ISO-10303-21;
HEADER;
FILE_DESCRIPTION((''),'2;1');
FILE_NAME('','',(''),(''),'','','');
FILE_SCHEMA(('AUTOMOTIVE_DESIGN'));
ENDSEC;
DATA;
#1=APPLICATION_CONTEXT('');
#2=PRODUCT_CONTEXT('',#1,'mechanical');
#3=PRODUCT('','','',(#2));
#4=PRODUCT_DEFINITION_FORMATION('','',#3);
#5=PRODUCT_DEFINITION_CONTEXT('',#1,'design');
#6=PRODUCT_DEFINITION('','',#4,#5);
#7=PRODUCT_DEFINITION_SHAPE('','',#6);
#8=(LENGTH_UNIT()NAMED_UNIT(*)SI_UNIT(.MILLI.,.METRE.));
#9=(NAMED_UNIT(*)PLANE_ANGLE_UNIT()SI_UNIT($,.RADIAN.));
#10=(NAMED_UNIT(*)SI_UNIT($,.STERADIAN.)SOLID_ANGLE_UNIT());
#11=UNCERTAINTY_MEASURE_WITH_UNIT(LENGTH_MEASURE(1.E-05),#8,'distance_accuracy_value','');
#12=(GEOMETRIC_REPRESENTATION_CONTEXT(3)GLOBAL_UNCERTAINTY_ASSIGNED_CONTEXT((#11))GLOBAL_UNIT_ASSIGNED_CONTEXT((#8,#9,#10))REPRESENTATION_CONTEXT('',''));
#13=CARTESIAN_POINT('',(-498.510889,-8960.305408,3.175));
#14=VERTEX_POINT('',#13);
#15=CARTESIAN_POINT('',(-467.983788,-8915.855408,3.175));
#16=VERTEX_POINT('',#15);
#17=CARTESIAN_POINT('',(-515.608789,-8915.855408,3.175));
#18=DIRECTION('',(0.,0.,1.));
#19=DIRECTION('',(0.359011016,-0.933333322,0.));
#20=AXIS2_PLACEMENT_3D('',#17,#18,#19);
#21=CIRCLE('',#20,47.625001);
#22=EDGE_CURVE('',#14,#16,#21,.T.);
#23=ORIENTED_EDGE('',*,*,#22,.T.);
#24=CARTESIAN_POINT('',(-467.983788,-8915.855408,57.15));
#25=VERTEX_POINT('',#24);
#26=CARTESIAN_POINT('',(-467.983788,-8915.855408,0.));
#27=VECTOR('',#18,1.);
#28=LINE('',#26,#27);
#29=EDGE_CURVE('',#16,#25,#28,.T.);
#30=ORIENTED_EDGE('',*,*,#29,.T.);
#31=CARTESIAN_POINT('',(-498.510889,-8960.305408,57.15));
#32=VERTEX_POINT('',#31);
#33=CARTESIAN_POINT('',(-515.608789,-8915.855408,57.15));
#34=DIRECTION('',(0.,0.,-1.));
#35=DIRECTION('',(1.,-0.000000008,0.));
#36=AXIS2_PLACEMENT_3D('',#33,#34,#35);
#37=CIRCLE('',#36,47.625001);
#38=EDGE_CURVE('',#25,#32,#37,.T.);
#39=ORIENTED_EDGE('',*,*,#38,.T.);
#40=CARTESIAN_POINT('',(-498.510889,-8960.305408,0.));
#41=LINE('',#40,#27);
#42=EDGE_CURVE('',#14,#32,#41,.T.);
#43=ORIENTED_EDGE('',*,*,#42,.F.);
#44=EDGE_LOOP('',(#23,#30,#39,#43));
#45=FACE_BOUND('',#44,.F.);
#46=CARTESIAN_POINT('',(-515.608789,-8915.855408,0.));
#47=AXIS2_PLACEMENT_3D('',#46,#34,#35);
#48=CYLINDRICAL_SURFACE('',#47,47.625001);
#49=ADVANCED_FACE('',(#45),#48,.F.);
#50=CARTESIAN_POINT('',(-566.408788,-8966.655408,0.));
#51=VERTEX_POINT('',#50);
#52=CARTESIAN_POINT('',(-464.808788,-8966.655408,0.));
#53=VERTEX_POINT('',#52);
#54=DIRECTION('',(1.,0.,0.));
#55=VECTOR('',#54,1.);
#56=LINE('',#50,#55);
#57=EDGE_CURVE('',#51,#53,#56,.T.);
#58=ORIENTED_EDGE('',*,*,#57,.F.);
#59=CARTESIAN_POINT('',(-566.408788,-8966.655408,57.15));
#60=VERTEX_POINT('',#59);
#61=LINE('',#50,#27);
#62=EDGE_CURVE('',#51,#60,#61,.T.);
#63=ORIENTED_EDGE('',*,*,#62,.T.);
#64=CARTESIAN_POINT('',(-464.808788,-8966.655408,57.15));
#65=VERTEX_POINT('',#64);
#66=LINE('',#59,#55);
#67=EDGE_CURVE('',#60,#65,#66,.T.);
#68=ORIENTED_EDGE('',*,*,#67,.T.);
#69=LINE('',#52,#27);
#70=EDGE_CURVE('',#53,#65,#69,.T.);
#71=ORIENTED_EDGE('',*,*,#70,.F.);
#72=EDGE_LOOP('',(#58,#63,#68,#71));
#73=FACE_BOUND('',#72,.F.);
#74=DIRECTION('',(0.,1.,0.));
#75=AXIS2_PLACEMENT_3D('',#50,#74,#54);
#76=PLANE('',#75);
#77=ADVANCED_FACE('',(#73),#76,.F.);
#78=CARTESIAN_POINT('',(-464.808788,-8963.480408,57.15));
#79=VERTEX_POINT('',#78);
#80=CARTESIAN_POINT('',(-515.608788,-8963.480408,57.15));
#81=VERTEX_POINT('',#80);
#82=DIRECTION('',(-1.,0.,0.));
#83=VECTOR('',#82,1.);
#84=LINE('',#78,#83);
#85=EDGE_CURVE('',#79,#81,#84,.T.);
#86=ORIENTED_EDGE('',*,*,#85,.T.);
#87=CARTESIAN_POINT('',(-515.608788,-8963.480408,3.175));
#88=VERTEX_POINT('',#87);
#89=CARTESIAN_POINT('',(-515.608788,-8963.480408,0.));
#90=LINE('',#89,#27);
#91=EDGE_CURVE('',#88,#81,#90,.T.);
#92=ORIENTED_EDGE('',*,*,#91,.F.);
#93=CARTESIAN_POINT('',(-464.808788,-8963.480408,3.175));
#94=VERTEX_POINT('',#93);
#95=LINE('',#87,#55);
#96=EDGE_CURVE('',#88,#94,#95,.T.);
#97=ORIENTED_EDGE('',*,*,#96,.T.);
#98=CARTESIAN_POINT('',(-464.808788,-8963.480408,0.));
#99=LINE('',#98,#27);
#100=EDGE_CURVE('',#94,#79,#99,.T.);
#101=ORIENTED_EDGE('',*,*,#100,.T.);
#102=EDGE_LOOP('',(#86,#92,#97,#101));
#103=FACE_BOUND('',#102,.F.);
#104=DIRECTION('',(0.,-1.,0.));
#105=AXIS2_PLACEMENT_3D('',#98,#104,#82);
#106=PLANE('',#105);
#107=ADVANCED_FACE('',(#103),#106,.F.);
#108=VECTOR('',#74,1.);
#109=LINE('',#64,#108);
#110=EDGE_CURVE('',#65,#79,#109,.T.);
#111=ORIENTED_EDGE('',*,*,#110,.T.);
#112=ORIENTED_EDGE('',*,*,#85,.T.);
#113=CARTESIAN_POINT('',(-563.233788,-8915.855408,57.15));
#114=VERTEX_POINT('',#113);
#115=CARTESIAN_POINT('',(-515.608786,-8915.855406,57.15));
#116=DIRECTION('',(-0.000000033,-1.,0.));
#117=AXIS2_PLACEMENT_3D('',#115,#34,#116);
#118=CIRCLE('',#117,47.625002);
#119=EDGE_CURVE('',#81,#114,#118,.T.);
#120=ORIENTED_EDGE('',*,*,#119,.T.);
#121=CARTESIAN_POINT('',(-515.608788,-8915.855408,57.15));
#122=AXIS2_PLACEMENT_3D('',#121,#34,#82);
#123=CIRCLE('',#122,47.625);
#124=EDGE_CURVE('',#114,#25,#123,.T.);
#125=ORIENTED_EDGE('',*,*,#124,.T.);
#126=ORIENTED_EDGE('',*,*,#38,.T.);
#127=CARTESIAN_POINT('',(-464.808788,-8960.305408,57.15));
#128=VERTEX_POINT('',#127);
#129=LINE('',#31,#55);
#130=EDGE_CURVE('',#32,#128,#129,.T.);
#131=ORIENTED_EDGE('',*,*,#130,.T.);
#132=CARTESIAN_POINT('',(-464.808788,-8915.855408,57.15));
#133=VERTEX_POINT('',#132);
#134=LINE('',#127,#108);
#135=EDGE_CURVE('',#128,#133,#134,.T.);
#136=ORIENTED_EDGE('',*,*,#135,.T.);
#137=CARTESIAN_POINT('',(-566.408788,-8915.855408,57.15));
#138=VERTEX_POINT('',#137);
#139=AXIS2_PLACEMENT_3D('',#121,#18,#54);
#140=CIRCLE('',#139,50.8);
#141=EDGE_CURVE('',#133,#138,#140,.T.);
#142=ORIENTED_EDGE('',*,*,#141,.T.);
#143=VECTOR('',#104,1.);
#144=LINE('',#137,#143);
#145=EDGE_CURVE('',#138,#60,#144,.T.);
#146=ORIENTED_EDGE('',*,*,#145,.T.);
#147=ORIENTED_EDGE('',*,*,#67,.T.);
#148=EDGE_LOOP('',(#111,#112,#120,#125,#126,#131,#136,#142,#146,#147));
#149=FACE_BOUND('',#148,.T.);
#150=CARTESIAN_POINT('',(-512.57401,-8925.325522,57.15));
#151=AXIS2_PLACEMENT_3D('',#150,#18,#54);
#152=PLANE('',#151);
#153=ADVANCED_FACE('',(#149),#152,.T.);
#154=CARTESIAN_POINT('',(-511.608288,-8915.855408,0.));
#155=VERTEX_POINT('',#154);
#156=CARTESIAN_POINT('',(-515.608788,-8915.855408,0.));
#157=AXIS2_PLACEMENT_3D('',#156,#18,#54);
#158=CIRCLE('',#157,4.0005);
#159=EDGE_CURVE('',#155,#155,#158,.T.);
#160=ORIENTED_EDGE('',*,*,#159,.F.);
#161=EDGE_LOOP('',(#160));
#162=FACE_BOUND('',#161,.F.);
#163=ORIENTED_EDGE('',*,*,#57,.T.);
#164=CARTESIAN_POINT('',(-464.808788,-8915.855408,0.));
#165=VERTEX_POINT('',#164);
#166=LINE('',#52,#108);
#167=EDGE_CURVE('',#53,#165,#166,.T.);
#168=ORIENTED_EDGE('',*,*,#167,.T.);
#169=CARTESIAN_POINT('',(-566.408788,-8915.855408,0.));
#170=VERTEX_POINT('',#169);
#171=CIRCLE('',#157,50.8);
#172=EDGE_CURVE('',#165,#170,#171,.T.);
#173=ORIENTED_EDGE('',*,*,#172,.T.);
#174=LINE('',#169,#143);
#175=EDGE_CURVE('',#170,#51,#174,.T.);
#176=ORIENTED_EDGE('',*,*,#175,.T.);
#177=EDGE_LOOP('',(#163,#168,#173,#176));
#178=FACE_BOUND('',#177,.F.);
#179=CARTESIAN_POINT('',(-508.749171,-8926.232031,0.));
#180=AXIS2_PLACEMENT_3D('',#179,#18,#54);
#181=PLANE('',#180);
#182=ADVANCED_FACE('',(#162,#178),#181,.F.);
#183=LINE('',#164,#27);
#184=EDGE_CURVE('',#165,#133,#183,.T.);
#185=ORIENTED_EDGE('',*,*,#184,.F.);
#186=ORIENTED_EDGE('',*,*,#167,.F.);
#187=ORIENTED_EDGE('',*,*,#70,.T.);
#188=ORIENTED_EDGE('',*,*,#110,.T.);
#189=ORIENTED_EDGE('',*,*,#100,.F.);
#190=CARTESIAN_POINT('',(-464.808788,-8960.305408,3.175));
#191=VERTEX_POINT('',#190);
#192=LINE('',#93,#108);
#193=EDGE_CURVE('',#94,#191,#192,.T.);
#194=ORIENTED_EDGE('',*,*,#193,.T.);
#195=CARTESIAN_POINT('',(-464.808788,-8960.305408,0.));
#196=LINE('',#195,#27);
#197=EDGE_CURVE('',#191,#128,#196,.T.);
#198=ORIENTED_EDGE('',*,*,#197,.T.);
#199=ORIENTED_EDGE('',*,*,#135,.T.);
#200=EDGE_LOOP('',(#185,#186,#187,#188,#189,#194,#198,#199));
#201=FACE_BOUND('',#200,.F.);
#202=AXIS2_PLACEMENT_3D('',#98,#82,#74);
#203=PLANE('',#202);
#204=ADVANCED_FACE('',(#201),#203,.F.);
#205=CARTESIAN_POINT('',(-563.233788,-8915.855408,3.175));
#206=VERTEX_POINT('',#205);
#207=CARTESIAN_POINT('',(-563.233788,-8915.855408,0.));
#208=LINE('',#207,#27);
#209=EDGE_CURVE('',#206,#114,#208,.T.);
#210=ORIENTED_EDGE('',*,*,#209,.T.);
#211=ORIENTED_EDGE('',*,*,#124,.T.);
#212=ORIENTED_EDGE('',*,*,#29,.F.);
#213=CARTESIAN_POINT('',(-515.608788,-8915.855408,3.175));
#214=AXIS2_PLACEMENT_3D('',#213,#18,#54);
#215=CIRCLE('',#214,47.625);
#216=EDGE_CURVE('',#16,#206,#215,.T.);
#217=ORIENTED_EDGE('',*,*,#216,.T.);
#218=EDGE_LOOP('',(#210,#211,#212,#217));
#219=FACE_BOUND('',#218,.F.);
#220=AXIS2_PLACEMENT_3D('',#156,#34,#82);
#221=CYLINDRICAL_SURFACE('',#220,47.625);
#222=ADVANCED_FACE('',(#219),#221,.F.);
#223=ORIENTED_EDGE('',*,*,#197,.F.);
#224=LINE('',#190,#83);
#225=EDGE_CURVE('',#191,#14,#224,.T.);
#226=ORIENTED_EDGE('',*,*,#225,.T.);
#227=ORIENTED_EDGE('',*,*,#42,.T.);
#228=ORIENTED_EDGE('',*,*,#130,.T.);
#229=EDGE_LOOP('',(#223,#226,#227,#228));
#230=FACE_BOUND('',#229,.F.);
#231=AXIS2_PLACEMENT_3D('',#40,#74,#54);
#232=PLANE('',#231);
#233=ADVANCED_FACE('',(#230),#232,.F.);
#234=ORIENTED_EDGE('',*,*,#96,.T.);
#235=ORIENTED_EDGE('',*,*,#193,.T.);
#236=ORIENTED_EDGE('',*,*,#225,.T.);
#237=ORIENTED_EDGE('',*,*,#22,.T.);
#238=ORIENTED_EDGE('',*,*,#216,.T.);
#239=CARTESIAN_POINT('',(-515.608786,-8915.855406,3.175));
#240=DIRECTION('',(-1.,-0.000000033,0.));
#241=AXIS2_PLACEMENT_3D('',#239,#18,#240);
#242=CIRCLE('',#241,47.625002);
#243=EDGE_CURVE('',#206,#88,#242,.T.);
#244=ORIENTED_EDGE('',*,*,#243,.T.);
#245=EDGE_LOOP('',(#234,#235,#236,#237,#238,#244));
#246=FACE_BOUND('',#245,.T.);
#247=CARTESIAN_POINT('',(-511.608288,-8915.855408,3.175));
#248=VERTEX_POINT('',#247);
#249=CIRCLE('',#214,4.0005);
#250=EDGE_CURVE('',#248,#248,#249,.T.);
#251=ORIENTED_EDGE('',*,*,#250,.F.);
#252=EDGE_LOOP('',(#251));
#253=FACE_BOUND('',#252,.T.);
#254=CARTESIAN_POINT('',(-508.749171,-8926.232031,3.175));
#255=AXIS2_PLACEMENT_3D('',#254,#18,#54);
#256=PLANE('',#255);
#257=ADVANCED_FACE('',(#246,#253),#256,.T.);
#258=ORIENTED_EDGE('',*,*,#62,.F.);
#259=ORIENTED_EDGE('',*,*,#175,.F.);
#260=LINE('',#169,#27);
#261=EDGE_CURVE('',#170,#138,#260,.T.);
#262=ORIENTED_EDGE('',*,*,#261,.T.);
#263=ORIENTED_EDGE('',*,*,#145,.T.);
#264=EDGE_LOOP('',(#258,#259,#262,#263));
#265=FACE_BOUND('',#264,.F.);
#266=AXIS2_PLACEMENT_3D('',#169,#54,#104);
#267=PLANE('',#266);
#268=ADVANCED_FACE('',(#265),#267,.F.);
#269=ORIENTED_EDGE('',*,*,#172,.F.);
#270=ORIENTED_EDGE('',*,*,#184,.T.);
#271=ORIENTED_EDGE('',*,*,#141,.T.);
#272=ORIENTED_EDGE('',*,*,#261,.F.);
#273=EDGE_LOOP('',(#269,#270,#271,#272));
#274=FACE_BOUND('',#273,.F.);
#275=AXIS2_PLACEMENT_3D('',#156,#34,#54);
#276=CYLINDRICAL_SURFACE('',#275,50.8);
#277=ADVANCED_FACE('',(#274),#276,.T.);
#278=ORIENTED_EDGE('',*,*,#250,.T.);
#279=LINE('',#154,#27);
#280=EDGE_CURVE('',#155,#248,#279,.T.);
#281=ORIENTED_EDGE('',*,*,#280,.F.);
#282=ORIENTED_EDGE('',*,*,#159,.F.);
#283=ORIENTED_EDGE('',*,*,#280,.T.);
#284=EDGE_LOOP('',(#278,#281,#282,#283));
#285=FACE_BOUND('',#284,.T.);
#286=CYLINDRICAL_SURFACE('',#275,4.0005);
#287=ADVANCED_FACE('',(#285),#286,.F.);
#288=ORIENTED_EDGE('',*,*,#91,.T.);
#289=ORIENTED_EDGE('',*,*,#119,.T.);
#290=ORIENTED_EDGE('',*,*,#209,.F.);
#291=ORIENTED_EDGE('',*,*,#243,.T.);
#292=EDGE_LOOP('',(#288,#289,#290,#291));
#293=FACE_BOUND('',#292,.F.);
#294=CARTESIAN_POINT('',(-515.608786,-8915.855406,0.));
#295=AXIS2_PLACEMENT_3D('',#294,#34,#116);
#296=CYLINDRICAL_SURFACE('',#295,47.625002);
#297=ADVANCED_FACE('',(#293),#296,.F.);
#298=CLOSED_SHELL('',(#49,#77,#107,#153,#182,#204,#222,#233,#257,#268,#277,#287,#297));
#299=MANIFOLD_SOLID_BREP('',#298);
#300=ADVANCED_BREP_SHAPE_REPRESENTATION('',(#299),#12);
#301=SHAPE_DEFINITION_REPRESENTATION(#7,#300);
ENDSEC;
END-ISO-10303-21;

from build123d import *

# Parameters (mm, degrees)
F1_DEPTH = 57.15
F0_R     = 4.0005
F2_DEPTH = 3.175


with BuildPart() as f1:
    # F0 (on Top) → F1 (new body)
    with BuildSketch(Plane.XY):
        with BuildLine():
            Line((-464.808788, -8960.305408), (-464.808788, -8915.855408))
            ThreePointArc((-464.808788, -8915.855408), (-515.608788, -8865.055408), (-566.408788, -8915.855408))
            Line((-566.408788, -8915.855408), (-566.408788, -8966.655408))
            Line((-566.408788, -8966.655408), (-464.808788, -8966.655408))
            Line((-464.808788, -8966.655408), (-464.808788, -8963.480408))
            Line((-464.808788, -8963.480408), (-515.608788, -8963.480408))
            ThreePointArc((-515.608788, -8963.480408), (-549.284748, -8949.531368), (-563.233788, -8915.855408))
            ThreePointArc((-563.233788, -8915.855408), (-515.608788, -8868.230408), (-467.983788, -8915.855408))
            ThreePointArc((-467.983788, -8915.855408), (-476.350489, -8942.816984), (-498.510889, -8960.305408))
            Line((-498.510889, -8960.305408), (-464.808788, -8960.305408))
        make_face()
    extrude(amount=F1_DEPTH)

    # F0 (on Top) → F2 (join)
    with BuildSketch(Plane.XY):
        with BuildLine():
            Line((-464.808788, -8963.480408), (-464.808788, -8960.305408))
            Line((-464.808788, -8960.305408), (-498.510889, -8960.305408))
            ThreePointArc((-498.510889, -8960.305408), (-476.350489, -8942.816984), (-467.983788, -8915.855408))
            ThreePointArc((-467.983788, -8915.855408), (-515.608788, -8868.230408), (-563.233788, -8915.855408))
            ThreePointArc((-563.233788, -8915.855408), (-549.284748, -8949.531368), (-515.608788, -8963.480408))
            Line((-515.608788, -8963.480408), (-464.808788, -8963.480408))
        make_face()
        with Locations((-515.608788, -8915.855408)):
            Circle(F0_R, mode=Mode.SUBTRACT)
    extrude(amount=F2_DEPTH)


solid = f1.part
